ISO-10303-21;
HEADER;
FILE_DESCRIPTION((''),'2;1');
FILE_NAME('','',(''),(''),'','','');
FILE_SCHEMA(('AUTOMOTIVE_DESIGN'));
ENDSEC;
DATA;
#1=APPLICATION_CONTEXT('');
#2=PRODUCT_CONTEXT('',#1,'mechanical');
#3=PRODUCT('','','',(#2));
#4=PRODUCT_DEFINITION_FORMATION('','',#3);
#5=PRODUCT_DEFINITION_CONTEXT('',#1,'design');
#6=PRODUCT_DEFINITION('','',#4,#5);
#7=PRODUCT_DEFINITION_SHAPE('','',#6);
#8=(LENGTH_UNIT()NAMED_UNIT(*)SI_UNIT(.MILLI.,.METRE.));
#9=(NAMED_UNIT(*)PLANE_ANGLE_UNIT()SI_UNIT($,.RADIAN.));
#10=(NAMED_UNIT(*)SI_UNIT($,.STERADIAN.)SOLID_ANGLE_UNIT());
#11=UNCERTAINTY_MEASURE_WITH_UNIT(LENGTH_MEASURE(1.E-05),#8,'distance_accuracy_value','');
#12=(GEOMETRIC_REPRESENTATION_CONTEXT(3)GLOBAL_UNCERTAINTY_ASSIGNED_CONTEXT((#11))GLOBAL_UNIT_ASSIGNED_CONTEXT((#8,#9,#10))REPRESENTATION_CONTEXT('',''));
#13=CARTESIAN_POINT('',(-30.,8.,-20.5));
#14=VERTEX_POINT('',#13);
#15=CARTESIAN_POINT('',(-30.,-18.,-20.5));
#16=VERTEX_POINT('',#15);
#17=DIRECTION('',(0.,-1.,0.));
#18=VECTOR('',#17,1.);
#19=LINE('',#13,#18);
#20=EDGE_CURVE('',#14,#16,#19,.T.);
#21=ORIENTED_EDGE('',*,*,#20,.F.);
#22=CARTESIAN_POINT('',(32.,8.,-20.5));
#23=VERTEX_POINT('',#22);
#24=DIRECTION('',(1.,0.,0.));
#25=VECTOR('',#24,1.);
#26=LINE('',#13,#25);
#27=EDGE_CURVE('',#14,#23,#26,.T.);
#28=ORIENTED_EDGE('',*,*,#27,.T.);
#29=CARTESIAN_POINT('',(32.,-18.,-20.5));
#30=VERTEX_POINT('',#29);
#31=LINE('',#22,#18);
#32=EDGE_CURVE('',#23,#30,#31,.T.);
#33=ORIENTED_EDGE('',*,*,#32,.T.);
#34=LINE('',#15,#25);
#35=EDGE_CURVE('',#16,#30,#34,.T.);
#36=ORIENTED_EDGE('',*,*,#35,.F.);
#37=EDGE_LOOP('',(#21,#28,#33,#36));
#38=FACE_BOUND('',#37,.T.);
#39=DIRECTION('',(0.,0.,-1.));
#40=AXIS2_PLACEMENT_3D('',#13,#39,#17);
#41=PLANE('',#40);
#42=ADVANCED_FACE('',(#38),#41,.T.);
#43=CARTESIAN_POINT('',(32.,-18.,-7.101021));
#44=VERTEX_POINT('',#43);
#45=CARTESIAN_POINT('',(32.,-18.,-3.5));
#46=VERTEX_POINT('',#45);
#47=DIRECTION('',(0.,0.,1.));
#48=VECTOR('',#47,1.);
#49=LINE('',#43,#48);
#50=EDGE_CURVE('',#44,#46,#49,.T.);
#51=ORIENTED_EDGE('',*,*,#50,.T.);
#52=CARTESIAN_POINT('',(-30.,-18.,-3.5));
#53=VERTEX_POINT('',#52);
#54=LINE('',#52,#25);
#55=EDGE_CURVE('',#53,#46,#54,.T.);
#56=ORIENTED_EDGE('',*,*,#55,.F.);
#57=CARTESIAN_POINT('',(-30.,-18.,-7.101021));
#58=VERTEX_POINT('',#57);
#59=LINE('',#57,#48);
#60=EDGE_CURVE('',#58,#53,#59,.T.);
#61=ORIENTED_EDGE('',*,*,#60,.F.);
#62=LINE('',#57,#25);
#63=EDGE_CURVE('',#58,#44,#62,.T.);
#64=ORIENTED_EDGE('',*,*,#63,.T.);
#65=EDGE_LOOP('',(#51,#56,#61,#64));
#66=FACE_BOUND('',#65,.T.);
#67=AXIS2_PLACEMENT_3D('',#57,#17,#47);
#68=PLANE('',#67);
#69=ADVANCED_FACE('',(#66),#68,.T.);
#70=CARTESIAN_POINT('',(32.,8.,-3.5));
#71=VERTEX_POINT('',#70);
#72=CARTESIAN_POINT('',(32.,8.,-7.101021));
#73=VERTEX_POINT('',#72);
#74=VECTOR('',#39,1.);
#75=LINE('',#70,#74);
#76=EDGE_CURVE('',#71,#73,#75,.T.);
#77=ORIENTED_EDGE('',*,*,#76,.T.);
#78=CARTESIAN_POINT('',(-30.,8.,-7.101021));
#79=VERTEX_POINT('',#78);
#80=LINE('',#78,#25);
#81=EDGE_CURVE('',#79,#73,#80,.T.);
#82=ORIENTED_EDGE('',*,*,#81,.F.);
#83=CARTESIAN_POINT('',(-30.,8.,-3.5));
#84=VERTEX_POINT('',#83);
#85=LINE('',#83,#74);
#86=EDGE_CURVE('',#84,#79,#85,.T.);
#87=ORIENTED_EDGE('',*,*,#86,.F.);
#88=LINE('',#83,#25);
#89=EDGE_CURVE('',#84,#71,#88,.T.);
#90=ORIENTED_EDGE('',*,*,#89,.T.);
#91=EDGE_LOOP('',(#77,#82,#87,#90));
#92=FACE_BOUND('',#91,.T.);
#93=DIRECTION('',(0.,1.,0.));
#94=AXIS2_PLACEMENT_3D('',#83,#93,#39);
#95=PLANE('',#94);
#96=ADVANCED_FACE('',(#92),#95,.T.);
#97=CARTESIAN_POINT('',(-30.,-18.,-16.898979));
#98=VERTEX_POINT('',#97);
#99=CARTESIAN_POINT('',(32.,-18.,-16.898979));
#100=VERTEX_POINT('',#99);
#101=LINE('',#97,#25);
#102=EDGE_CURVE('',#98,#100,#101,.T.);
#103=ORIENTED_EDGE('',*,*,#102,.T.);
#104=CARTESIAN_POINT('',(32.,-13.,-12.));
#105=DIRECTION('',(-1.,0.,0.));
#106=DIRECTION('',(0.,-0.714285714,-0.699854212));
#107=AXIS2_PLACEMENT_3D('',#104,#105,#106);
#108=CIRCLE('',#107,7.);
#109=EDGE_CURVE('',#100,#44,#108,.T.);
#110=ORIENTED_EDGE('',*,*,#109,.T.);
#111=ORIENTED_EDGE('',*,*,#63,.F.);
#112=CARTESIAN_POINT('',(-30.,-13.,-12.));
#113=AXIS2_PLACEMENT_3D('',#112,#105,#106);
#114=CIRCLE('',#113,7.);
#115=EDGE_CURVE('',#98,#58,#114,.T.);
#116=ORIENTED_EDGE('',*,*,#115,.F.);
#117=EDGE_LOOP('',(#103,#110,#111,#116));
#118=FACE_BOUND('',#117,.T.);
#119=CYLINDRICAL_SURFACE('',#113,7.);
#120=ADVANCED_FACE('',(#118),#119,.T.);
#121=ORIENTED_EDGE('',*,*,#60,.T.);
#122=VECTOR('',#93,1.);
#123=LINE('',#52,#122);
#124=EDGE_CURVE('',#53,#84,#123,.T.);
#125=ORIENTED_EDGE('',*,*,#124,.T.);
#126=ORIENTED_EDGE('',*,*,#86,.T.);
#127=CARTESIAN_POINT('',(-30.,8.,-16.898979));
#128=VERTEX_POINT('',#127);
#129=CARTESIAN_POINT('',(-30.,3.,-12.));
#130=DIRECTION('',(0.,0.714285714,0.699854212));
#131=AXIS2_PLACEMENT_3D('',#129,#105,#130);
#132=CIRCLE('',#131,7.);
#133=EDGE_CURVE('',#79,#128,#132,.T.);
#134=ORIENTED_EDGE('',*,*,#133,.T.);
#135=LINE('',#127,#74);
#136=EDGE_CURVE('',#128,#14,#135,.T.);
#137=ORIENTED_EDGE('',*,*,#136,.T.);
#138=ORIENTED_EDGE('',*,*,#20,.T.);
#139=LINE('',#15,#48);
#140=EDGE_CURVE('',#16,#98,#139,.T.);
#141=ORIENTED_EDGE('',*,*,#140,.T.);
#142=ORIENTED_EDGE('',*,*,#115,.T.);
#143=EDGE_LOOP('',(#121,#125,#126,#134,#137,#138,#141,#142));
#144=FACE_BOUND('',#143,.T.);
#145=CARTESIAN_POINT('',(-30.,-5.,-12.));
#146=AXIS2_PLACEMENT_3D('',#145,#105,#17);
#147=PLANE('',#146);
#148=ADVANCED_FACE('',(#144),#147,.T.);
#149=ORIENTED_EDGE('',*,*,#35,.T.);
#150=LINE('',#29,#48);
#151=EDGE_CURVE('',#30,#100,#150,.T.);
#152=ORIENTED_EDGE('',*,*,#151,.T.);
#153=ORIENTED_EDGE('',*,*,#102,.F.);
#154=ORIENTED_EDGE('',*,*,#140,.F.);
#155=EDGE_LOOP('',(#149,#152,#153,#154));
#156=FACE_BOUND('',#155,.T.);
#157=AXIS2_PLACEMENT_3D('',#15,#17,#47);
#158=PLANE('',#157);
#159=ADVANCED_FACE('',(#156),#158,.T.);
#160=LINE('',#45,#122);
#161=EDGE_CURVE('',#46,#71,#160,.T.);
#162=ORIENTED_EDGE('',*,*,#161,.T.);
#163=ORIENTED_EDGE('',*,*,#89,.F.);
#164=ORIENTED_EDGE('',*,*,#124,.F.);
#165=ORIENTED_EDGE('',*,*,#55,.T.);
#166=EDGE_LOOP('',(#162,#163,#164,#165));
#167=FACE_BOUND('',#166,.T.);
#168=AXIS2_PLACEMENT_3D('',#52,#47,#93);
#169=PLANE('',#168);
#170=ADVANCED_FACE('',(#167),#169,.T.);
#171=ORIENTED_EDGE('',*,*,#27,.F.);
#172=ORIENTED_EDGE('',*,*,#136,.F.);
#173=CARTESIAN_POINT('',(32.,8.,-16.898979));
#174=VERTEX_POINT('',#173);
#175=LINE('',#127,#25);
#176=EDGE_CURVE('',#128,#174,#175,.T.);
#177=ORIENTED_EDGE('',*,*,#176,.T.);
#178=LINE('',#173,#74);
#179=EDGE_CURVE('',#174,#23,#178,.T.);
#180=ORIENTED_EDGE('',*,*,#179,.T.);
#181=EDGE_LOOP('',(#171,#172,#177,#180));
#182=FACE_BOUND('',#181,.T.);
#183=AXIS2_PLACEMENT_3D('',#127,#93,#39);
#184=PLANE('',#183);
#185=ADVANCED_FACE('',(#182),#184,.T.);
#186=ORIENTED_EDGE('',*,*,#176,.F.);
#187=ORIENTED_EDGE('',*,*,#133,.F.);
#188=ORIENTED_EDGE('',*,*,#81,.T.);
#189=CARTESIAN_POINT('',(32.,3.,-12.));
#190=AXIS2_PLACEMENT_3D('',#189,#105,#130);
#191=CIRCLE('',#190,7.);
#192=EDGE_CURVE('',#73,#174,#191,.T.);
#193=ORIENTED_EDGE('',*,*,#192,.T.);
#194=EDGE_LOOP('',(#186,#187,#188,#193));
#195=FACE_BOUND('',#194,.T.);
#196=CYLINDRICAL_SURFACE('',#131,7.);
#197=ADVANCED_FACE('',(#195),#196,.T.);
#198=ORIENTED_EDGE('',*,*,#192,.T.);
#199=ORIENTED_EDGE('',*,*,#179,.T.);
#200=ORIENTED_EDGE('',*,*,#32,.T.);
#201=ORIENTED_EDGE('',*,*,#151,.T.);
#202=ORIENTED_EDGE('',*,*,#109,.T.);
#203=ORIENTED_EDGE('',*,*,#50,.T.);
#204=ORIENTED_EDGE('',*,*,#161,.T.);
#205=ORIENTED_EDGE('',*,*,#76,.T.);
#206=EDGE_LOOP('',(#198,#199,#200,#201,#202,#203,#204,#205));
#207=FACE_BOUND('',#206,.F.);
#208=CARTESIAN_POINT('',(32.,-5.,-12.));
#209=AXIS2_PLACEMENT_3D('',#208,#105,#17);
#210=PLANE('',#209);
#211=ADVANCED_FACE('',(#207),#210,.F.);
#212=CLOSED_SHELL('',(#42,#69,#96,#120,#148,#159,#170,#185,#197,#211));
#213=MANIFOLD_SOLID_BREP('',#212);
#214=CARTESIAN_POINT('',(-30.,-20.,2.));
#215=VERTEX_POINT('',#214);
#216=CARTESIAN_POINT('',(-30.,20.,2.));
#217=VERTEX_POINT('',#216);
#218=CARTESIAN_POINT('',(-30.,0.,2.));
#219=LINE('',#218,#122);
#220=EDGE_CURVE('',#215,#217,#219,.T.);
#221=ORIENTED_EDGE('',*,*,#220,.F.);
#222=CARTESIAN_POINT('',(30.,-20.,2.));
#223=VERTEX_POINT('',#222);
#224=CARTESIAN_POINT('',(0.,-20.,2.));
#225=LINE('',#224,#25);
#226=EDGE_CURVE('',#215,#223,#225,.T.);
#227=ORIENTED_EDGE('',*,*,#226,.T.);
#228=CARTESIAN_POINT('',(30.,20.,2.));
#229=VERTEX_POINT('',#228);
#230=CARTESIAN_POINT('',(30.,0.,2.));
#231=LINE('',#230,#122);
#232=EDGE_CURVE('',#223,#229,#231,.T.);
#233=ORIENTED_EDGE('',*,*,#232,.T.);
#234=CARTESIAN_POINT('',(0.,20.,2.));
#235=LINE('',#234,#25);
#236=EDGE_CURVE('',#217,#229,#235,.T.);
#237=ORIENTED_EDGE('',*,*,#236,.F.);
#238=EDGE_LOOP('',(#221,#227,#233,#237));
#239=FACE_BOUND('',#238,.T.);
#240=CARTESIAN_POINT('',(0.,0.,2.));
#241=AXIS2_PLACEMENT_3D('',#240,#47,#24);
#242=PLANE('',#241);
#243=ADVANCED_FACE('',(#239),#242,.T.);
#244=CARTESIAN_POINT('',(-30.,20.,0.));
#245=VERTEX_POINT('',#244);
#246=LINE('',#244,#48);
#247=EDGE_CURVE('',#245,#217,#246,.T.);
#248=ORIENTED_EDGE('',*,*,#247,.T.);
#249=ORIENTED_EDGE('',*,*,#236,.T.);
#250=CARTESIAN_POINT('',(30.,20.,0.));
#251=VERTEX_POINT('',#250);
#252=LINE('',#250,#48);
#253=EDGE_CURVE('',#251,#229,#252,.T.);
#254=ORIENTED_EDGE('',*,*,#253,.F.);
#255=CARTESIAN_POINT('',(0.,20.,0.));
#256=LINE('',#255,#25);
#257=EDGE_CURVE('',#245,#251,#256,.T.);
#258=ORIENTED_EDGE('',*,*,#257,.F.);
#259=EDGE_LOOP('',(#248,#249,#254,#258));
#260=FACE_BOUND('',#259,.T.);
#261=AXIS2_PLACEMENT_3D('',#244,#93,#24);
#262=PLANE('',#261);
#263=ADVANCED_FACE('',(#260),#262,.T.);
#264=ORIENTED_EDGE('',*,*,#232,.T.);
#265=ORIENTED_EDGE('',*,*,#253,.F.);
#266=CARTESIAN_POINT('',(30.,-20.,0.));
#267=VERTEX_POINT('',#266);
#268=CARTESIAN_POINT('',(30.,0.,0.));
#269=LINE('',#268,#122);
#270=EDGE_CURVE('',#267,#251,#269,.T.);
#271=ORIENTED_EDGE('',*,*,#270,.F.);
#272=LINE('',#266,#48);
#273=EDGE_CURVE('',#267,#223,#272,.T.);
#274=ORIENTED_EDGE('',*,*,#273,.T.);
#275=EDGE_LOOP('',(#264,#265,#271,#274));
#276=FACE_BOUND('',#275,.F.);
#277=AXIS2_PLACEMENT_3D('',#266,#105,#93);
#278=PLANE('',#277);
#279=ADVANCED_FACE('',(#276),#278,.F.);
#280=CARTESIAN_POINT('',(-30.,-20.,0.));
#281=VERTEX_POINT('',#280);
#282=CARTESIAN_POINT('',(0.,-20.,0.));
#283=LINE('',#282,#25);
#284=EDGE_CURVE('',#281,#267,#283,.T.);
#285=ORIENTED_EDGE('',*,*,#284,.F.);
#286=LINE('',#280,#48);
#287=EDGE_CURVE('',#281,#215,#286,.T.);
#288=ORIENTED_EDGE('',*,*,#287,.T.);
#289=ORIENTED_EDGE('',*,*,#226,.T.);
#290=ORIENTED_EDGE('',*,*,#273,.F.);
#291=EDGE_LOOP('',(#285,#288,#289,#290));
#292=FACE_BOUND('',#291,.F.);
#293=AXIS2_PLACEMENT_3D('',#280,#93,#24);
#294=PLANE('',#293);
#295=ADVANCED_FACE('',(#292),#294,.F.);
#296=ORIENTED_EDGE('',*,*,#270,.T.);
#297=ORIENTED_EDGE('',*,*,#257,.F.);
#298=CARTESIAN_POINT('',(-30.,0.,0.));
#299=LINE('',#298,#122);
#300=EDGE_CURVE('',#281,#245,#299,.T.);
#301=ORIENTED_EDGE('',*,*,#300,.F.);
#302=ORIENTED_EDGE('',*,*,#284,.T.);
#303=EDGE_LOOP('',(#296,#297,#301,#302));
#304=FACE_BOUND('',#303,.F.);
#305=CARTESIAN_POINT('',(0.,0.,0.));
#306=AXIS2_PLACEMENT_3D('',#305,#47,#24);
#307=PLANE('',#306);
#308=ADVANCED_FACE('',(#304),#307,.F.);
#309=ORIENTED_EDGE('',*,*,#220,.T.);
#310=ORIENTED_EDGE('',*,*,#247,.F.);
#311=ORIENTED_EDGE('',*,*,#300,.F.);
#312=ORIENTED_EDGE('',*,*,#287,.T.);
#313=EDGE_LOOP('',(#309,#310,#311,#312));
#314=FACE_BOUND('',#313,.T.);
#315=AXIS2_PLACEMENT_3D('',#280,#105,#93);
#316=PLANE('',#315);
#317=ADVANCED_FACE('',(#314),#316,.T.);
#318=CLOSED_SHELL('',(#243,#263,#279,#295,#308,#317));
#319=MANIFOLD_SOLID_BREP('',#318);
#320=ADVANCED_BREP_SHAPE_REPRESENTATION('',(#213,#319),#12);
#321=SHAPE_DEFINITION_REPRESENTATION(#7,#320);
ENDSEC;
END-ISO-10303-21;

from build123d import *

# Parameters (mm, degrees)
F1_W     = 60
F1_H     = 40
F2_DEPTH = 2
F4_DEPTH = 62


with BuildPart() as f2:
    # F1 (on Top) → F2 (new body)
    with BuildSketch(Plane.XY):
        Rectangle(F1_W, F1_H)
    extrude(amount=F2_DEPTH)


with BuildPart() as f4:
    # F3 (on face) → F4 (new body)
    with BuildSketch(Plane(origin=(-30, 0, 0), x_dir=(0, -1, 0), z_dir=(-1, 0, 0))):
        with BuildLine():
            Line((-8, -3.5), (-8, -7.1010205144))
            ThreePointArc((-8, -7.1010205144), (-10, -12), (-8, -16.8989794856))
            Line((-8, -16.8989794856), (-8, -20.5))
            Line((-8, -20.5), (18, -20.5))
            Line((18, -20.5), (18, -16.8989794856))
            ThreePointArc((18, -16.8989794856), (20, -12), (18, -7.1010205144))
            Line((18, -7.1010205144), (18, -3.5))
            Line((18, -3.5), (-8, -3.5))
        make_face()
    extrude(amount=-F4_DEPTH)


solid = Compound([f2.part, f4.part])
